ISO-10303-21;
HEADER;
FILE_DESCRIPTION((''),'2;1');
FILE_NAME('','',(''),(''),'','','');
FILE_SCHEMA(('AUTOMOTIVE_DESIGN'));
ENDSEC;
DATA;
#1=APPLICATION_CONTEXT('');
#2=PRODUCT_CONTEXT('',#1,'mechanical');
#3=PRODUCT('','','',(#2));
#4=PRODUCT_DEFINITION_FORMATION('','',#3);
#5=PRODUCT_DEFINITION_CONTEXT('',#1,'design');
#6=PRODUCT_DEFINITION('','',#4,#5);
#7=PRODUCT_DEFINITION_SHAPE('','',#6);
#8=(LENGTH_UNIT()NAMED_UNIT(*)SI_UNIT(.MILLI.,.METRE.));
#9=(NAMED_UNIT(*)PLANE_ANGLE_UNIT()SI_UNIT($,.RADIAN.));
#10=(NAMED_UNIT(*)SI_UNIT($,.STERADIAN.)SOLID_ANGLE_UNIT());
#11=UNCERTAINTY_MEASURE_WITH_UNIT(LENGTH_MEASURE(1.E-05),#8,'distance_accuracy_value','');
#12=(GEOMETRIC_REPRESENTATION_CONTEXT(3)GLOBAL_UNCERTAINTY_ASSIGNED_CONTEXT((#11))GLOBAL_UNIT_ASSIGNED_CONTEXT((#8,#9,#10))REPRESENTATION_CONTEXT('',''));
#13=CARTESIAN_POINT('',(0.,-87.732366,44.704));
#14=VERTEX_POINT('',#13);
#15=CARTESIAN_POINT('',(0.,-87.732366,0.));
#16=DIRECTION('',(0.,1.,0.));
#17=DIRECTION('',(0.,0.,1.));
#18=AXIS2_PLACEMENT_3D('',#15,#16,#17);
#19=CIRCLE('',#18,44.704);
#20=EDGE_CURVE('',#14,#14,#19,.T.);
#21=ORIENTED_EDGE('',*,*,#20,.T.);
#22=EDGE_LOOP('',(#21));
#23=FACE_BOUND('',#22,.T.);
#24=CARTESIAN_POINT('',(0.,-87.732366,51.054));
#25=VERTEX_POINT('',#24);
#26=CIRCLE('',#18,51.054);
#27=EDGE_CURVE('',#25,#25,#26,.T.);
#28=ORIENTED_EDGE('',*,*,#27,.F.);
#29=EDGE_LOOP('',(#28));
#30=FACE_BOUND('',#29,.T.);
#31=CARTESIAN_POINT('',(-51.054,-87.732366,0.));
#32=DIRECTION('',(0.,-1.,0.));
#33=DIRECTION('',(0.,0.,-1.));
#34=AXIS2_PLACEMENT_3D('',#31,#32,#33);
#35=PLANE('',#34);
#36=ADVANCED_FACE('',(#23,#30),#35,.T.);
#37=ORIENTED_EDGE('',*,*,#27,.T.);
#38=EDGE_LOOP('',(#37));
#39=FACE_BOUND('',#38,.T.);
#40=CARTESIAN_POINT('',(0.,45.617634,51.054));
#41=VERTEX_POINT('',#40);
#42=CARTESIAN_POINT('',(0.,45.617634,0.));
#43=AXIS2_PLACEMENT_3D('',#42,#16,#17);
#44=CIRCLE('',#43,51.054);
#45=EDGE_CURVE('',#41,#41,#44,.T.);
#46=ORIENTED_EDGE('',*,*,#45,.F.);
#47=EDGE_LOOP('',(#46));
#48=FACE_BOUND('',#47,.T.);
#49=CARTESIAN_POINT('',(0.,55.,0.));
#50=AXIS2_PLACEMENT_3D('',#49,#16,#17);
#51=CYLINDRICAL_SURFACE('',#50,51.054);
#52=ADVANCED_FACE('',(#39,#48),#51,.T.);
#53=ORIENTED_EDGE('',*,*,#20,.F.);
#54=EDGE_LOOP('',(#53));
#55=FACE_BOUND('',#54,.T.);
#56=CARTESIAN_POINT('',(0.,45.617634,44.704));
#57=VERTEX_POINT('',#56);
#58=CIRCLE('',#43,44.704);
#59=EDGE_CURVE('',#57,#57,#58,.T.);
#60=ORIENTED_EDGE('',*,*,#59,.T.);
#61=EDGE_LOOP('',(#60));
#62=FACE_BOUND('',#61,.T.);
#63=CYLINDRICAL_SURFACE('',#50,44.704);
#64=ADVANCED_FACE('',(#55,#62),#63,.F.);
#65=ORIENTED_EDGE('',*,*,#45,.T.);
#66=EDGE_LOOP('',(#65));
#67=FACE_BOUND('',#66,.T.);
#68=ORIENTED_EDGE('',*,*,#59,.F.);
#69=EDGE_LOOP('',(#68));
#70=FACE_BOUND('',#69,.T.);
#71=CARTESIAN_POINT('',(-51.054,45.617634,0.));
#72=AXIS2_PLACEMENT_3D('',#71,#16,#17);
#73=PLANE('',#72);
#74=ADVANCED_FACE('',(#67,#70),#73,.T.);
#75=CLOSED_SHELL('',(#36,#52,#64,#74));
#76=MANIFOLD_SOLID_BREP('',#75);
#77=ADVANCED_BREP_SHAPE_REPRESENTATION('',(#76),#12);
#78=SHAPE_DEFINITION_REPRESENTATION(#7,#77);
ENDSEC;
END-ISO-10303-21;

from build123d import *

# Parameters (mm, degrees)
SKETCH1_W = 6.35
SKETCH1_H = 133.35


with BuildPart() as part:
    # Sketch1 → Revolve1 (revolve)
    with BuildSketch(Plane.XY):
        with Locations((-47.879, -21.057365567)):
            Rectangle(SKETCH1_W, SKETCH1_H)
    revolve(axis=Axis((0, 55, 0), (0, -1, 0)))


solid = part.part
